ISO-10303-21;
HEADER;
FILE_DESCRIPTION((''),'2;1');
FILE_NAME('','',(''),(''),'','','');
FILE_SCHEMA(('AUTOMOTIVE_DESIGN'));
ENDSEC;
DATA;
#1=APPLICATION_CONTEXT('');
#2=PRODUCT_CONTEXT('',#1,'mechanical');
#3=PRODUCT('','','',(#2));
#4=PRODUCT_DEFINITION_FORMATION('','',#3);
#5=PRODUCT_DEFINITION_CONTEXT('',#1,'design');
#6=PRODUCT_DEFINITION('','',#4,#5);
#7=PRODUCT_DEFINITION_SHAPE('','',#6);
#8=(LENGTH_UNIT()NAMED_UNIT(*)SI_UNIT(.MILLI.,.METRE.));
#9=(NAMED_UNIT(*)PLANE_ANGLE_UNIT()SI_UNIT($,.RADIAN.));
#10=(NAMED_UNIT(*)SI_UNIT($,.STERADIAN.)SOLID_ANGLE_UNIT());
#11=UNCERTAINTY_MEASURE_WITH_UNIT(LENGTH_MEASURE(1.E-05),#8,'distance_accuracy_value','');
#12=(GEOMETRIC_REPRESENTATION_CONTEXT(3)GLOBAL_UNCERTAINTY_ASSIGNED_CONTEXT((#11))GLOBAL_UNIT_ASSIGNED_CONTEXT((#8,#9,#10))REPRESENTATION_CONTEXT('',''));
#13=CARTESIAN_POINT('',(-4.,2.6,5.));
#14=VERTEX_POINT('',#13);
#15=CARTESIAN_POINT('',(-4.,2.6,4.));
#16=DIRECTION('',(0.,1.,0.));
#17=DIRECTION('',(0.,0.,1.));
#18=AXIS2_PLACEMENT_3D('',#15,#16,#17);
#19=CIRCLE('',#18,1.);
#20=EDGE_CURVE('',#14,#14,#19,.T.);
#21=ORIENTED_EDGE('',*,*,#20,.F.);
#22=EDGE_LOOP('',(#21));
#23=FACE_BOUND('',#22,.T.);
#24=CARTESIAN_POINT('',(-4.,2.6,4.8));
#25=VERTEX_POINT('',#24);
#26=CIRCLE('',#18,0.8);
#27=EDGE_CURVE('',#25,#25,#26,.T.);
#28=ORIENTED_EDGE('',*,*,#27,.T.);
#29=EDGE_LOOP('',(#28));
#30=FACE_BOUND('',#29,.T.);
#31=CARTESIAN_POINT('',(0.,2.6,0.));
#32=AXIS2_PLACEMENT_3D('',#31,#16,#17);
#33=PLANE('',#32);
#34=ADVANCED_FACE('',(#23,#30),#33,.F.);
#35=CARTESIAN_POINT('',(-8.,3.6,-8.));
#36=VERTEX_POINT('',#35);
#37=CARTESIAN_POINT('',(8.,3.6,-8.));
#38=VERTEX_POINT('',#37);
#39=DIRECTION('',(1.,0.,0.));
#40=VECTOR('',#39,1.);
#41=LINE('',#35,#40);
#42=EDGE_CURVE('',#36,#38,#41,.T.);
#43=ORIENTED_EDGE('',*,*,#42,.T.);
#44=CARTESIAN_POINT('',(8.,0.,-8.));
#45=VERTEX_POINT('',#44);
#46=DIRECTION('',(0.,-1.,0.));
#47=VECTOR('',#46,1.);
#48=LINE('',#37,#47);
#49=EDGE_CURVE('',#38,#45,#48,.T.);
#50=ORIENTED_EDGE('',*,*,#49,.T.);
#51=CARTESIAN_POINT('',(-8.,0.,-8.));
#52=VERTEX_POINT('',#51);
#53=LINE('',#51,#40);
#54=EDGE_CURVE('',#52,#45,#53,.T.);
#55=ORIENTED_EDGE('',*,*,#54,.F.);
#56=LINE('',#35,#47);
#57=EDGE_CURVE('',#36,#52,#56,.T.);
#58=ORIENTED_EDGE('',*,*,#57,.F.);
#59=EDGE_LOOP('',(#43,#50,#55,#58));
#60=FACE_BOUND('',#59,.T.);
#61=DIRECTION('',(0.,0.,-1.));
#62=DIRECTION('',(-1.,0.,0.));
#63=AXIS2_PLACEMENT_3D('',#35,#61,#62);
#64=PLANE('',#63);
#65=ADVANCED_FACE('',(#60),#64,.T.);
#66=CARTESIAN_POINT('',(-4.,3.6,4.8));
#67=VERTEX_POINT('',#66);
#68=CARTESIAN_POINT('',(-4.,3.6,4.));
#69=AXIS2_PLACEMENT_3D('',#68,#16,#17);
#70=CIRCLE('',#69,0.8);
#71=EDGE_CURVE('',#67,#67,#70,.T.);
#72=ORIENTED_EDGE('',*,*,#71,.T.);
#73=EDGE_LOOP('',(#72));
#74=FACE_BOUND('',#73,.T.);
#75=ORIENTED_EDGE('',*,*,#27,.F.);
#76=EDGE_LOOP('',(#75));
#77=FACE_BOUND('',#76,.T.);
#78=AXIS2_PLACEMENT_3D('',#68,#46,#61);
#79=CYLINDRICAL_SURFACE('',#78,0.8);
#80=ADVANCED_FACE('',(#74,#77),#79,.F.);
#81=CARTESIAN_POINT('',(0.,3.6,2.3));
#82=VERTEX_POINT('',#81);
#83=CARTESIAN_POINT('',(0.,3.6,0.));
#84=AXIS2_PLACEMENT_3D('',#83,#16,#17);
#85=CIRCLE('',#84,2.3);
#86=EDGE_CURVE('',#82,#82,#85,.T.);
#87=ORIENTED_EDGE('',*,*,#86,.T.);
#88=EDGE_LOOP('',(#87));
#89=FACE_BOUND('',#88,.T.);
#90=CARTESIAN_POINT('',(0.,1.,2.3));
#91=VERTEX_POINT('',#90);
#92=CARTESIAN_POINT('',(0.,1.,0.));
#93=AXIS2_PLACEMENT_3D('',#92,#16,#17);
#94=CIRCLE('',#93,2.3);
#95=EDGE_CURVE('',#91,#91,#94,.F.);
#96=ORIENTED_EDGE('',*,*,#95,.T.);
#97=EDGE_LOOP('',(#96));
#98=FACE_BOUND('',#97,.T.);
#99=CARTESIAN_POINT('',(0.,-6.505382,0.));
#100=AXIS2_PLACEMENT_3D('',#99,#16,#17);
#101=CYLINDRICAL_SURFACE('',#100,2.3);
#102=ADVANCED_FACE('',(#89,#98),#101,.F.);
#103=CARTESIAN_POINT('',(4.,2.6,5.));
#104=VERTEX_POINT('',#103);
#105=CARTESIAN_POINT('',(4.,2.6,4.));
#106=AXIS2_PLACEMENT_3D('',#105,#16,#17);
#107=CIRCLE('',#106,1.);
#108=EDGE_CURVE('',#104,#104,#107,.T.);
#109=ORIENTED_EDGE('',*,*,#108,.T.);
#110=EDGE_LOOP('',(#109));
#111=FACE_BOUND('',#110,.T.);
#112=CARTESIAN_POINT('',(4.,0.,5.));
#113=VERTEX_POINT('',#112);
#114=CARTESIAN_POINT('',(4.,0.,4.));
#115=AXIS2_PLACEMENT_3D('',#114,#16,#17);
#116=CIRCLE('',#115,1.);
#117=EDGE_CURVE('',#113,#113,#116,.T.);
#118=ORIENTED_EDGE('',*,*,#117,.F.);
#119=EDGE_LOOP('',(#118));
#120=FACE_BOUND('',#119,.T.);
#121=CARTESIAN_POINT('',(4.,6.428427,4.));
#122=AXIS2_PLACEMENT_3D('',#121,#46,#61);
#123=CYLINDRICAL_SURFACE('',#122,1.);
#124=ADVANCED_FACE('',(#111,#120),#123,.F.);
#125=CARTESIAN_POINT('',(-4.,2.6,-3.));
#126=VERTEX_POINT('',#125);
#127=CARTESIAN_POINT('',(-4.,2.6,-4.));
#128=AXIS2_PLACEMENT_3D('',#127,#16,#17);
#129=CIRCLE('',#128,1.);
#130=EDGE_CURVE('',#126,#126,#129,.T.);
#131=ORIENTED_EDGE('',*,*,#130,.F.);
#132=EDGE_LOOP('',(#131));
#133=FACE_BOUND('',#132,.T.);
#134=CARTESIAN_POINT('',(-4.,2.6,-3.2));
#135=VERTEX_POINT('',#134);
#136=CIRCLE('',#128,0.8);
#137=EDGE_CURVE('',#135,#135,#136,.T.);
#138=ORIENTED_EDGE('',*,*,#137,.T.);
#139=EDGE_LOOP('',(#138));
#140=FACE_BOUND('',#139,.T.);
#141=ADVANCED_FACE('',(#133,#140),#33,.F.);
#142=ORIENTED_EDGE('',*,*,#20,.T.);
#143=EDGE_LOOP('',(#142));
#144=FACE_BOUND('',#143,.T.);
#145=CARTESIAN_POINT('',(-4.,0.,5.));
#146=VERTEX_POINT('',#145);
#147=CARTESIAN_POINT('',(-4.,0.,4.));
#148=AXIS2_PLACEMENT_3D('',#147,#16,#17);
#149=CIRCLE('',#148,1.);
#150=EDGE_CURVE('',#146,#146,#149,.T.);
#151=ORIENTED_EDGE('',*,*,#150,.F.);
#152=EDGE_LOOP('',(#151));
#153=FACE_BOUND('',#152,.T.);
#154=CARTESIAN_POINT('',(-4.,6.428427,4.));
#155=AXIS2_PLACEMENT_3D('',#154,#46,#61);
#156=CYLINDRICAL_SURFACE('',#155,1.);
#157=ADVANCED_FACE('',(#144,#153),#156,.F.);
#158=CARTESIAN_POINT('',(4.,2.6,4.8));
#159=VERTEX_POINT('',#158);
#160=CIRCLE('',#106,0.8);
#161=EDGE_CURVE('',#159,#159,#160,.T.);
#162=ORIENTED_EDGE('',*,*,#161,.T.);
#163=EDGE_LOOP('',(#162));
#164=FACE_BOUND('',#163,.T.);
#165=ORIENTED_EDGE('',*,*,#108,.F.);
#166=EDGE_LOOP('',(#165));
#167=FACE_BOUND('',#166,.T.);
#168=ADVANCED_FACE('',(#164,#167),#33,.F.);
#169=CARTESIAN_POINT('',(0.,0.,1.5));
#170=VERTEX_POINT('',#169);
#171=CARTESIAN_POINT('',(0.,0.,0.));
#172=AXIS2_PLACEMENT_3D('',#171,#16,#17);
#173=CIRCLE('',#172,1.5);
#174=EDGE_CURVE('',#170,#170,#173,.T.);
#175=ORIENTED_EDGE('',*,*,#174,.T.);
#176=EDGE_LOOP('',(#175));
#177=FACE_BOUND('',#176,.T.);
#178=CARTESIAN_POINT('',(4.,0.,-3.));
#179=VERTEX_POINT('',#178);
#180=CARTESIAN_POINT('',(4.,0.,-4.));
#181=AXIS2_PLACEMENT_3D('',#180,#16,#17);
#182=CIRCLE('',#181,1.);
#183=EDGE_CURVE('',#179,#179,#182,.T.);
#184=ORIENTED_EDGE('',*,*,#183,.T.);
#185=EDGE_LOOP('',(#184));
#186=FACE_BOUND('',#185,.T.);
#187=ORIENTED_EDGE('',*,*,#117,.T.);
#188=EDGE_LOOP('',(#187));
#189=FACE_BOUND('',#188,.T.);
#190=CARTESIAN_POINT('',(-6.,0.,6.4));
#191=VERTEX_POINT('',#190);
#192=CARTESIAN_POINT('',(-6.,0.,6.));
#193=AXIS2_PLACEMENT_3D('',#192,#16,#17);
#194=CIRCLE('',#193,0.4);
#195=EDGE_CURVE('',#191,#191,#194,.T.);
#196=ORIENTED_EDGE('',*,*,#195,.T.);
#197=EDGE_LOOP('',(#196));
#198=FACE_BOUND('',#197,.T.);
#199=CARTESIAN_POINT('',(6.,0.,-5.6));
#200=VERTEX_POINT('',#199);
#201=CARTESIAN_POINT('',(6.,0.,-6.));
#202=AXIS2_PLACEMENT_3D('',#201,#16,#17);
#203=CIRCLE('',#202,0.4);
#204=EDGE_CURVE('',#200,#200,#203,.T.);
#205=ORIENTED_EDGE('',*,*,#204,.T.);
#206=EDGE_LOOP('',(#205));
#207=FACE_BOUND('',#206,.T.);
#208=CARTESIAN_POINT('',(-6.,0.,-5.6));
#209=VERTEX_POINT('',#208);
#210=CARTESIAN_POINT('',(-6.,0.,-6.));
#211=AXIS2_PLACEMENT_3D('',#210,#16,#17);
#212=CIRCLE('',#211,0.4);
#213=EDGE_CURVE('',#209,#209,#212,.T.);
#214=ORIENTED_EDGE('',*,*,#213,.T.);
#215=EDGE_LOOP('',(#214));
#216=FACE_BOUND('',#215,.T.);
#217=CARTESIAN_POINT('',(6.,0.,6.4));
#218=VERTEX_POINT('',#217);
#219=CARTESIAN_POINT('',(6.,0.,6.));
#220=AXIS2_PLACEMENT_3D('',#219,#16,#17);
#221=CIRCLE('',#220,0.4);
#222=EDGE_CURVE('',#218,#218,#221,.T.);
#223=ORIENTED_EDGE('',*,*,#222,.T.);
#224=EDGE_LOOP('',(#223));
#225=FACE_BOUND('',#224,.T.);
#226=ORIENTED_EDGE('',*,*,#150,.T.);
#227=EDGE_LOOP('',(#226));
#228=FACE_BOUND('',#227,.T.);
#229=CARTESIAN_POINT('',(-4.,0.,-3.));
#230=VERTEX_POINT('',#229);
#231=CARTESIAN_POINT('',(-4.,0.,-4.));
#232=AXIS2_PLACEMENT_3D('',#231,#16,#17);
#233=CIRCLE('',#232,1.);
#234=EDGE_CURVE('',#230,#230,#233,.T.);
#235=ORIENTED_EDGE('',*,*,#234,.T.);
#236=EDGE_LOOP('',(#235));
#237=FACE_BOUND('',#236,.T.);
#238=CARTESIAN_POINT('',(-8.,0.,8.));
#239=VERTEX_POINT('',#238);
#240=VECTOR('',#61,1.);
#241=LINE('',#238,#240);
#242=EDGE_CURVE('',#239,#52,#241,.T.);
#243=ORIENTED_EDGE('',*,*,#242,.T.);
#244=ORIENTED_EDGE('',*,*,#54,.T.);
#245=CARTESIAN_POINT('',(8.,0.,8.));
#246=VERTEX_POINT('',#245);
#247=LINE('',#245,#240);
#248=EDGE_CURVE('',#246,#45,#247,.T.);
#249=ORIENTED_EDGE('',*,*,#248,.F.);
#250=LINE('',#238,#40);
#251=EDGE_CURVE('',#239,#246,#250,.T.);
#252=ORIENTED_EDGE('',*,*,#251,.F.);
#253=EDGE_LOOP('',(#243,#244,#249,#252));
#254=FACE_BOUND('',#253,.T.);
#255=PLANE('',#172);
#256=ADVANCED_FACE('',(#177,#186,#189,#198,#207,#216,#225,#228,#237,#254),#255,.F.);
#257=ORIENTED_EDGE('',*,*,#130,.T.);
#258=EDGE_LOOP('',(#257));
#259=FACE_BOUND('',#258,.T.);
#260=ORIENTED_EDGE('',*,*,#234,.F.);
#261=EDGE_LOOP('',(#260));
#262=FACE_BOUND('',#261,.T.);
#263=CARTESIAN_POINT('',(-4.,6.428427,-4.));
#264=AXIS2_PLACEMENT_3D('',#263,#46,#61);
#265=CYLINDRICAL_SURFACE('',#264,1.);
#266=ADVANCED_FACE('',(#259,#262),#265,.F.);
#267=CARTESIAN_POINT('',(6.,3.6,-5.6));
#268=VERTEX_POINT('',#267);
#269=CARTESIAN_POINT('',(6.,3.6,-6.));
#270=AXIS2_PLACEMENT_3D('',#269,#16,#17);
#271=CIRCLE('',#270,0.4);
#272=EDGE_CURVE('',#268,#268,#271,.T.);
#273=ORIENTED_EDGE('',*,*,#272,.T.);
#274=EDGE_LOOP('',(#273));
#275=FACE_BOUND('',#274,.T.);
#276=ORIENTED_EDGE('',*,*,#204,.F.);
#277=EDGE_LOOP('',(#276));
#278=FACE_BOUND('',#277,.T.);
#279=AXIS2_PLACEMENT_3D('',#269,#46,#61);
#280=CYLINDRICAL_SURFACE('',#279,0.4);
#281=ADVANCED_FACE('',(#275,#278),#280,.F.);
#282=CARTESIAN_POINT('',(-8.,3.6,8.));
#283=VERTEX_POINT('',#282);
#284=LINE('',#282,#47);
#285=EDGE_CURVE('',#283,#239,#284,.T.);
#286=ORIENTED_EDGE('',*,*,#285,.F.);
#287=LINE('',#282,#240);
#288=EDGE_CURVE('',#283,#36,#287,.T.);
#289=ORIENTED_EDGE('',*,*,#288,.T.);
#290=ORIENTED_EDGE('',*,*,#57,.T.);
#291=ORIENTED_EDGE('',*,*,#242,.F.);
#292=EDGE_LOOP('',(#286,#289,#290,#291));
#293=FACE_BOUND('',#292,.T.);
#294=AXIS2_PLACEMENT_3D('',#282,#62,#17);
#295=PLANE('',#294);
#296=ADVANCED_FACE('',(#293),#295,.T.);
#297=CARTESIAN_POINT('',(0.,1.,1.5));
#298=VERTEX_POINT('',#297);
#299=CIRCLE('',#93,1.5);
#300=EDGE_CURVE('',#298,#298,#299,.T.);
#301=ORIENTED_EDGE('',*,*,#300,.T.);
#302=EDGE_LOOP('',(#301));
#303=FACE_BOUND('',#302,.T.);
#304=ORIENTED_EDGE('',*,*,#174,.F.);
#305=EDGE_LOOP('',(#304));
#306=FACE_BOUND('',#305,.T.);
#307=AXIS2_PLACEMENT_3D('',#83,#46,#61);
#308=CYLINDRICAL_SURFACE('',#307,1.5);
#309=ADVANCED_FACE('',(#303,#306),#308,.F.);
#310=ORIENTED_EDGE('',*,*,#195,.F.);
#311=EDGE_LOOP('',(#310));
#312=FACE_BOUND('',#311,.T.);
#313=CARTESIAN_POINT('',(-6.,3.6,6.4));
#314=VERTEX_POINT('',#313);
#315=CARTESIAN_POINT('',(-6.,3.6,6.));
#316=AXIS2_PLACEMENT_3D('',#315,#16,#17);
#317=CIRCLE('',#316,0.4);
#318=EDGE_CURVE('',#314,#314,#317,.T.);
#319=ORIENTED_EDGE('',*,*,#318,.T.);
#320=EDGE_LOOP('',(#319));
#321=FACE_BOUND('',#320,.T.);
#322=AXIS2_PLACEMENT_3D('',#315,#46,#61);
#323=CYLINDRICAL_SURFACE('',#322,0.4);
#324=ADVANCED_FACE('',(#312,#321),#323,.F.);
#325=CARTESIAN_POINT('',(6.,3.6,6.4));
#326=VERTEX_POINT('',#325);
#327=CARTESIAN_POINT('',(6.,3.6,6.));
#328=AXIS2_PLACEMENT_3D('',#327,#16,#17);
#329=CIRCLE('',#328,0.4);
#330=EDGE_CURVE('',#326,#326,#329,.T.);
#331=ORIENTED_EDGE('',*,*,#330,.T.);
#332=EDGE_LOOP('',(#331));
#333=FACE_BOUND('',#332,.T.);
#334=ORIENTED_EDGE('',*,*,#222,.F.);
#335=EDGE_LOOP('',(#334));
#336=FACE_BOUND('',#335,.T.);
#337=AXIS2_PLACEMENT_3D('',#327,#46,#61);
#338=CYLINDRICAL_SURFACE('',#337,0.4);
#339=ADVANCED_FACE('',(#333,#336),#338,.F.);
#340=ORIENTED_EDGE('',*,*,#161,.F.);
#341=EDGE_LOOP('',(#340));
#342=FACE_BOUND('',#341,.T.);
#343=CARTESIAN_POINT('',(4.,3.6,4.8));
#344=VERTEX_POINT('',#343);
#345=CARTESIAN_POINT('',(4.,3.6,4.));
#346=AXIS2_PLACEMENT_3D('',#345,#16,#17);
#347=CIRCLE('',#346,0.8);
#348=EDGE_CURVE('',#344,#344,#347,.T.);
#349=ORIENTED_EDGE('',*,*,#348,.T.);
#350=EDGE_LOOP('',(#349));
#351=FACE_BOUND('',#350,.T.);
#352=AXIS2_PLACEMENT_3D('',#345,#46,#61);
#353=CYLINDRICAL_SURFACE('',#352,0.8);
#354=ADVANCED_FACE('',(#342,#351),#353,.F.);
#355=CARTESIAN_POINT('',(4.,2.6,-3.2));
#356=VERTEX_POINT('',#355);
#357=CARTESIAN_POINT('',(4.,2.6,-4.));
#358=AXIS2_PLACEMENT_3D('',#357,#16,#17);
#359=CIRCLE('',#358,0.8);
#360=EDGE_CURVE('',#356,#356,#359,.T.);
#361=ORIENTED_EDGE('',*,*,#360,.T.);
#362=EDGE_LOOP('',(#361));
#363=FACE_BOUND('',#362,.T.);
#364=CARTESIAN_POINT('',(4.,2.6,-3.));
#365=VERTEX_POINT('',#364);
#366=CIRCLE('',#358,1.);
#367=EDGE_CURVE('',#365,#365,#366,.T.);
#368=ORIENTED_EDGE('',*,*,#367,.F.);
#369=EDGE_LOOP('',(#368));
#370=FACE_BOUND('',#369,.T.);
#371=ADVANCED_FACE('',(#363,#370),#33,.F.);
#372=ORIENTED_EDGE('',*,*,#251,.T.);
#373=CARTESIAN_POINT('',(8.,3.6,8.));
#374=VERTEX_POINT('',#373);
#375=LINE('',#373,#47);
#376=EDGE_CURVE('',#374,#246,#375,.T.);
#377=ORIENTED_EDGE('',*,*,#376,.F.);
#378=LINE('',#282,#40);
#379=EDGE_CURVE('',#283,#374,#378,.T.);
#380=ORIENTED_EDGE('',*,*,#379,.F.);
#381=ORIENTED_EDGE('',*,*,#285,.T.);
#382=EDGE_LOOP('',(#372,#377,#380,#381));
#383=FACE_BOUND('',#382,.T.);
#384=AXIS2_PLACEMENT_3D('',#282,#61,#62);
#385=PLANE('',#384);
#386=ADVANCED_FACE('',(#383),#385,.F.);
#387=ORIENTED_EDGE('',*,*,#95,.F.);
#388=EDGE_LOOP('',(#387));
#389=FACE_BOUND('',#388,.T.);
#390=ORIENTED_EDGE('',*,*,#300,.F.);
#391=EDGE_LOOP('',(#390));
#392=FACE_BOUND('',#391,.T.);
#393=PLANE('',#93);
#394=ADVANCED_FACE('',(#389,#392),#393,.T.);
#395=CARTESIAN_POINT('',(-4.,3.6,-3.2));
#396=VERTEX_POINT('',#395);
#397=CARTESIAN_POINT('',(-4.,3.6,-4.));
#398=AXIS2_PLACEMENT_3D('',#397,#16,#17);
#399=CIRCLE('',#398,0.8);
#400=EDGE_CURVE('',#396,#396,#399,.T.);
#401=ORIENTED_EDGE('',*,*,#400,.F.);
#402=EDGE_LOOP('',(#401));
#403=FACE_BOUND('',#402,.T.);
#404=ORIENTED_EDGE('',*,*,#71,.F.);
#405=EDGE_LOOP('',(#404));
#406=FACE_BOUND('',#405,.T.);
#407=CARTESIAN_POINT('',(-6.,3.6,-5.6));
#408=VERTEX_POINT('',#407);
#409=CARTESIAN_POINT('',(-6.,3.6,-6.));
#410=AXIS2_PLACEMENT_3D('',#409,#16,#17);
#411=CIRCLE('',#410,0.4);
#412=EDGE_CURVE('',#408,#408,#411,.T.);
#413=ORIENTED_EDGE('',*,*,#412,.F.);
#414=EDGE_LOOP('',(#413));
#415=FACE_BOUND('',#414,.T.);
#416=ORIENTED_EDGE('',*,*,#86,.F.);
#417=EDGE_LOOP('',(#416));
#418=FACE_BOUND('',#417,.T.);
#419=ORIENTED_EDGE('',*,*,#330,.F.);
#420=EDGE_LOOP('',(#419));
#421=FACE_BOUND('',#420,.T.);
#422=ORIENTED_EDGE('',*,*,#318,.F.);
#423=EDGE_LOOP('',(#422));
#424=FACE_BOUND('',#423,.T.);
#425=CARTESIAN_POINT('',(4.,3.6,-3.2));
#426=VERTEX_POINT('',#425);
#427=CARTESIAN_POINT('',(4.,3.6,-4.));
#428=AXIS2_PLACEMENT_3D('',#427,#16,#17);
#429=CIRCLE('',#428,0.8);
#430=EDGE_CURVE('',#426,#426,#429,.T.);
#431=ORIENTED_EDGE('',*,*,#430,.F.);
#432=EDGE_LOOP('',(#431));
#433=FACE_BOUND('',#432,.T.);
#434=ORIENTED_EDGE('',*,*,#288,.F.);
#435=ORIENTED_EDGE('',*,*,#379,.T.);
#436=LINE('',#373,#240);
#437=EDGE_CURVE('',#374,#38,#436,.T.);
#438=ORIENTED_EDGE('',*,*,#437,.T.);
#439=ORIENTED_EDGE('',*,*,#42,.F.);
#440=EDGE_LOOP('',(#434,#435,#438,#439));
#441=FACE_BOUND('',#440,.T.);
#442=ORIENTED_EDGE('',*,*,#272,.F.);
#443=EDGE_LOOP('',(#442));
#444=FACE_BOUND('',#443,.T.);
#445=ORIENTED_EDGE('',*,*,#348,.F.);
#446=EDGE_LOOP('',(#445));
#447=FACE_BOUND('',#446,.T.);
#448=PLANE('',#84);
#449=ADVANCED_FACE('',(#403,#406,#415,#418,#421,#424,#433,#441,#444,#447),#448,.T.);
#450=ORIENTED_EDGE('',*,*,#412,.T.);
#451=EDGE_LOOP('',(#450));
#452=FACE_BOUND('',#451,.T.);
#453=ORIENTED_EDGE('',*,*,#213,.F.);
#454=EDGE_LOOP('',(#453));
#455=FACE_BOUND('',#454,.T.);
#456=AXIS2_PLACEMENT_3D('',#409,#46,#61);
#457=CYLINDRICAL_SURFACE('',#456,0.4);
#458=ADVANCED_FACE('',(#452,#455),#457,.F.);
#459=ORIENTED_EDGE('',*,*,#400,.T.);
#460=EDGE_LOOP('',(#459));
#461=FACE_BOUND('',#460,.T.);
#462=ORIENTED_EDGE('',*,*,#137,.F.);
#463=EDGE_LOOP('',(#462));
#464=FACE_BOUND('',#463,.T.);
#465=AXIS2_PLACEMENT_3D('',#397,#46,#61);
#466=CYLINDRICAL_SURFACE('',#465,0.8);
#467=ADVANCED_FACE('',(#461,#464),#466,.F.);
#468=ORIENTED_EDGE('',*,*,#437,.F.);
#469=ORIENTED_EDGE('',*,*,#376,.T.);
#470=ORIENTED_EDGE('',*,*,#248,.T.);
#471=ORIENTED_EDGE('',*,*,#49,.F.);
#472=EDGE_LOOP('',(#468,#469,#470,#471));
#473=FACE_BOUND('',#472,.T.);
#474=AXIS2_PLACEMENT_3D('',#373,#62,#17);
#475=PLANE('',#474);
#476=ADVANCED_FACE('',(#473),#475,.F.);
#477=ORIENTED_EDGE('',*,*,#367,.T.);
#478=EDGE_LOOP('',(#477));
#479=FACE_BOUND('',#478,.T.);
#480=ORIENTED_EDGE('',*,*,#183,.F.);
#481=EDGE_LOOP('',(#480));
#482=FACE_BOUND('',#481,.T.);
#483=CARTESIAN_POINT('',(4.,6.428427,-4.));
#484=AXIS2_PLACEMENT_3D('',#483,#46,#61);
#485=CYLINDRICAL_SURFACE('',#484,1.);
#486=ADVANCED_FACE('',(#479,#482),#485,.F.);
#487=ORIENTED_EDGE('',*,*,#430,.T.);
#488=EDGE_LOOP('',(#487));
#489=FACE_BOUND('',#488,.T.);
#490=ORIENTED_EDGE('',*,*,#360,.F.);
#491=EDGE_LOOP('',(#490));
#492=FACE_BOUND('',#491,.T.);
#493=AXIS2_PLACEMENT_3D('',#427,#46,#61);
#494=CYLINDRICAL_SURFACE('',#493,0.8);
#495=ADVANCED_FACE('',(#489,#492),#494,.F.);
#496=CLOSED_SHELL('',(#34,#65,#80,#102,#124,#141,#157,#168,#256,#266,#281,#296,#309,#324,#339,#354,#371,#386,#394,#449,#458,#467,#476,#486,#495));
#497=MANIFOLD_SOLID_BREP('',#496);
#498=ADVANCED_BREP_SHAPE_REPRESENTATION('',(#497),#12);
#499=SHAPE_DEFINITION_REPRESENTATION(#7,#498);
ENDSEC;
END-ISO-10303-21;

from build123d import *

# Parameters (mm, degrees)
SKETCH_1_W          = 16
SKETCH_1_H          = 16
SKETCH_1_R          = 1.5
SKETCH_1_R_2        = 0.8
SKETCH_1_R_3        = 0.4
EXTRUDE_1_DEPTH     = 3.6
CUT_EXTRUDE_START   = 3.6
SKETCH_1_3_R        = 2.3
CUT_EXTRUDE_1_DEPTH = 2.6
SKETCH_1_4_R        = 1
CUT_EXTRUDE_2_DEPTH = 2.6


with BuildPart() as part:
    # 草图1 → 凸台-拉伸1 (new body)
    with BuildSketch(Plane(origin=(0, 0, 0), x_dir=(1, 0, 0), z_dir=(0, 1, 0))):
        Rectangle(SKETCH_1_W, SKETCH_1_H)
        with Locations(Location((0, 0, 0), (0, 0, 270))):
            Circle(SKETCH_1_R, mode=Mode.SUBTRACT)
        with Locations(Location((-4, 4, 0), (0, 0, 270))):
            Circle(SKETCH_1_R_2, mode=Mode.SUBTRACT)
        with Locations(Location((4, 4, 0), (0, 0, 270))):
            Circle(SKETCH_1_R_2, mode=Mode.SUBTRACT)
        with Locations(Location((-4, -4, 0), (0, 0, 270))):
            Circle(SKETCH_1_R_2, mode=Mode.SUBTRACT)
        with Locations(Location((4, -4, 0), (0, 0, 270))):
            Circle(SKETCH_1_R_2, mode=Mode.SUBTRACT)
        with Locations(Location((-6, 6, 0), (0, 0, 270))):
            Circle(SKETCH_1_R_3, mode=Mode.SUBTRACT)
        with Locations(Location((6, 6, 0), (0, 0, 270))):
            Circle(SKETCH_1_R_3, mode=Mode.SUBTRACT)
        with Locations(Location((6, -6, 0), (0, 0, 270))):
            Circle(SKETCH_1_R_3, mode=Mode.SUBTRACT)
        with Locations(Location((-6, -6, 0), (0, 0, 270))):
            Circle(SKETCH_1_R_3, mode=Mode.SUBTRACT)
    extrude(amount=EXTRUDE_1_DEPTH)

    # 草图1<3> → 切除-拉伸1 (cut)
    with BuildSketch(Plane(origin=(0, 0, 0), x_dir=(1, 0, 0), z_dir=(0, 1, 0)).offset(CUT_EXTRUDE_START)):
        with Locations(Location((0, 0, 0), (0, 0, 270))):
            Circle(SKETCH_1_3_R)
    extrude(amount=-CUT_EXTRUDE_1_DEPTH, mode=Mode.SUBTRACT)

    # 草图1<4> → 切除-拉伸2 (cut)
    with BuildSketch(Plane(origin=(0, 0, 0), x_dir=(1, 0, 0), z_dir=(0, 1, 0))):
        with Locations(Location((-4, 4, 0), (0, 0, 270))):
            Circle(SKETCH_1_4_R)
        with Locations(Location((4, 4, 0), (0, 0, 270))):
            Circle(SKETCH_1_4_R)
        with Locations(Location((4, -4, 0), (0, 0, 270))):
            Circle(SKETCH_1_4_R)
        with Locations(Location((-4, -4, 0), (0, 0, 270))):
            Circle(SKETCH_1_4_R)
    extrude(amount=CUT_EXTRUDE_2_DEPTH, mode=Mode.SUBTRACT)


solid = part.part
